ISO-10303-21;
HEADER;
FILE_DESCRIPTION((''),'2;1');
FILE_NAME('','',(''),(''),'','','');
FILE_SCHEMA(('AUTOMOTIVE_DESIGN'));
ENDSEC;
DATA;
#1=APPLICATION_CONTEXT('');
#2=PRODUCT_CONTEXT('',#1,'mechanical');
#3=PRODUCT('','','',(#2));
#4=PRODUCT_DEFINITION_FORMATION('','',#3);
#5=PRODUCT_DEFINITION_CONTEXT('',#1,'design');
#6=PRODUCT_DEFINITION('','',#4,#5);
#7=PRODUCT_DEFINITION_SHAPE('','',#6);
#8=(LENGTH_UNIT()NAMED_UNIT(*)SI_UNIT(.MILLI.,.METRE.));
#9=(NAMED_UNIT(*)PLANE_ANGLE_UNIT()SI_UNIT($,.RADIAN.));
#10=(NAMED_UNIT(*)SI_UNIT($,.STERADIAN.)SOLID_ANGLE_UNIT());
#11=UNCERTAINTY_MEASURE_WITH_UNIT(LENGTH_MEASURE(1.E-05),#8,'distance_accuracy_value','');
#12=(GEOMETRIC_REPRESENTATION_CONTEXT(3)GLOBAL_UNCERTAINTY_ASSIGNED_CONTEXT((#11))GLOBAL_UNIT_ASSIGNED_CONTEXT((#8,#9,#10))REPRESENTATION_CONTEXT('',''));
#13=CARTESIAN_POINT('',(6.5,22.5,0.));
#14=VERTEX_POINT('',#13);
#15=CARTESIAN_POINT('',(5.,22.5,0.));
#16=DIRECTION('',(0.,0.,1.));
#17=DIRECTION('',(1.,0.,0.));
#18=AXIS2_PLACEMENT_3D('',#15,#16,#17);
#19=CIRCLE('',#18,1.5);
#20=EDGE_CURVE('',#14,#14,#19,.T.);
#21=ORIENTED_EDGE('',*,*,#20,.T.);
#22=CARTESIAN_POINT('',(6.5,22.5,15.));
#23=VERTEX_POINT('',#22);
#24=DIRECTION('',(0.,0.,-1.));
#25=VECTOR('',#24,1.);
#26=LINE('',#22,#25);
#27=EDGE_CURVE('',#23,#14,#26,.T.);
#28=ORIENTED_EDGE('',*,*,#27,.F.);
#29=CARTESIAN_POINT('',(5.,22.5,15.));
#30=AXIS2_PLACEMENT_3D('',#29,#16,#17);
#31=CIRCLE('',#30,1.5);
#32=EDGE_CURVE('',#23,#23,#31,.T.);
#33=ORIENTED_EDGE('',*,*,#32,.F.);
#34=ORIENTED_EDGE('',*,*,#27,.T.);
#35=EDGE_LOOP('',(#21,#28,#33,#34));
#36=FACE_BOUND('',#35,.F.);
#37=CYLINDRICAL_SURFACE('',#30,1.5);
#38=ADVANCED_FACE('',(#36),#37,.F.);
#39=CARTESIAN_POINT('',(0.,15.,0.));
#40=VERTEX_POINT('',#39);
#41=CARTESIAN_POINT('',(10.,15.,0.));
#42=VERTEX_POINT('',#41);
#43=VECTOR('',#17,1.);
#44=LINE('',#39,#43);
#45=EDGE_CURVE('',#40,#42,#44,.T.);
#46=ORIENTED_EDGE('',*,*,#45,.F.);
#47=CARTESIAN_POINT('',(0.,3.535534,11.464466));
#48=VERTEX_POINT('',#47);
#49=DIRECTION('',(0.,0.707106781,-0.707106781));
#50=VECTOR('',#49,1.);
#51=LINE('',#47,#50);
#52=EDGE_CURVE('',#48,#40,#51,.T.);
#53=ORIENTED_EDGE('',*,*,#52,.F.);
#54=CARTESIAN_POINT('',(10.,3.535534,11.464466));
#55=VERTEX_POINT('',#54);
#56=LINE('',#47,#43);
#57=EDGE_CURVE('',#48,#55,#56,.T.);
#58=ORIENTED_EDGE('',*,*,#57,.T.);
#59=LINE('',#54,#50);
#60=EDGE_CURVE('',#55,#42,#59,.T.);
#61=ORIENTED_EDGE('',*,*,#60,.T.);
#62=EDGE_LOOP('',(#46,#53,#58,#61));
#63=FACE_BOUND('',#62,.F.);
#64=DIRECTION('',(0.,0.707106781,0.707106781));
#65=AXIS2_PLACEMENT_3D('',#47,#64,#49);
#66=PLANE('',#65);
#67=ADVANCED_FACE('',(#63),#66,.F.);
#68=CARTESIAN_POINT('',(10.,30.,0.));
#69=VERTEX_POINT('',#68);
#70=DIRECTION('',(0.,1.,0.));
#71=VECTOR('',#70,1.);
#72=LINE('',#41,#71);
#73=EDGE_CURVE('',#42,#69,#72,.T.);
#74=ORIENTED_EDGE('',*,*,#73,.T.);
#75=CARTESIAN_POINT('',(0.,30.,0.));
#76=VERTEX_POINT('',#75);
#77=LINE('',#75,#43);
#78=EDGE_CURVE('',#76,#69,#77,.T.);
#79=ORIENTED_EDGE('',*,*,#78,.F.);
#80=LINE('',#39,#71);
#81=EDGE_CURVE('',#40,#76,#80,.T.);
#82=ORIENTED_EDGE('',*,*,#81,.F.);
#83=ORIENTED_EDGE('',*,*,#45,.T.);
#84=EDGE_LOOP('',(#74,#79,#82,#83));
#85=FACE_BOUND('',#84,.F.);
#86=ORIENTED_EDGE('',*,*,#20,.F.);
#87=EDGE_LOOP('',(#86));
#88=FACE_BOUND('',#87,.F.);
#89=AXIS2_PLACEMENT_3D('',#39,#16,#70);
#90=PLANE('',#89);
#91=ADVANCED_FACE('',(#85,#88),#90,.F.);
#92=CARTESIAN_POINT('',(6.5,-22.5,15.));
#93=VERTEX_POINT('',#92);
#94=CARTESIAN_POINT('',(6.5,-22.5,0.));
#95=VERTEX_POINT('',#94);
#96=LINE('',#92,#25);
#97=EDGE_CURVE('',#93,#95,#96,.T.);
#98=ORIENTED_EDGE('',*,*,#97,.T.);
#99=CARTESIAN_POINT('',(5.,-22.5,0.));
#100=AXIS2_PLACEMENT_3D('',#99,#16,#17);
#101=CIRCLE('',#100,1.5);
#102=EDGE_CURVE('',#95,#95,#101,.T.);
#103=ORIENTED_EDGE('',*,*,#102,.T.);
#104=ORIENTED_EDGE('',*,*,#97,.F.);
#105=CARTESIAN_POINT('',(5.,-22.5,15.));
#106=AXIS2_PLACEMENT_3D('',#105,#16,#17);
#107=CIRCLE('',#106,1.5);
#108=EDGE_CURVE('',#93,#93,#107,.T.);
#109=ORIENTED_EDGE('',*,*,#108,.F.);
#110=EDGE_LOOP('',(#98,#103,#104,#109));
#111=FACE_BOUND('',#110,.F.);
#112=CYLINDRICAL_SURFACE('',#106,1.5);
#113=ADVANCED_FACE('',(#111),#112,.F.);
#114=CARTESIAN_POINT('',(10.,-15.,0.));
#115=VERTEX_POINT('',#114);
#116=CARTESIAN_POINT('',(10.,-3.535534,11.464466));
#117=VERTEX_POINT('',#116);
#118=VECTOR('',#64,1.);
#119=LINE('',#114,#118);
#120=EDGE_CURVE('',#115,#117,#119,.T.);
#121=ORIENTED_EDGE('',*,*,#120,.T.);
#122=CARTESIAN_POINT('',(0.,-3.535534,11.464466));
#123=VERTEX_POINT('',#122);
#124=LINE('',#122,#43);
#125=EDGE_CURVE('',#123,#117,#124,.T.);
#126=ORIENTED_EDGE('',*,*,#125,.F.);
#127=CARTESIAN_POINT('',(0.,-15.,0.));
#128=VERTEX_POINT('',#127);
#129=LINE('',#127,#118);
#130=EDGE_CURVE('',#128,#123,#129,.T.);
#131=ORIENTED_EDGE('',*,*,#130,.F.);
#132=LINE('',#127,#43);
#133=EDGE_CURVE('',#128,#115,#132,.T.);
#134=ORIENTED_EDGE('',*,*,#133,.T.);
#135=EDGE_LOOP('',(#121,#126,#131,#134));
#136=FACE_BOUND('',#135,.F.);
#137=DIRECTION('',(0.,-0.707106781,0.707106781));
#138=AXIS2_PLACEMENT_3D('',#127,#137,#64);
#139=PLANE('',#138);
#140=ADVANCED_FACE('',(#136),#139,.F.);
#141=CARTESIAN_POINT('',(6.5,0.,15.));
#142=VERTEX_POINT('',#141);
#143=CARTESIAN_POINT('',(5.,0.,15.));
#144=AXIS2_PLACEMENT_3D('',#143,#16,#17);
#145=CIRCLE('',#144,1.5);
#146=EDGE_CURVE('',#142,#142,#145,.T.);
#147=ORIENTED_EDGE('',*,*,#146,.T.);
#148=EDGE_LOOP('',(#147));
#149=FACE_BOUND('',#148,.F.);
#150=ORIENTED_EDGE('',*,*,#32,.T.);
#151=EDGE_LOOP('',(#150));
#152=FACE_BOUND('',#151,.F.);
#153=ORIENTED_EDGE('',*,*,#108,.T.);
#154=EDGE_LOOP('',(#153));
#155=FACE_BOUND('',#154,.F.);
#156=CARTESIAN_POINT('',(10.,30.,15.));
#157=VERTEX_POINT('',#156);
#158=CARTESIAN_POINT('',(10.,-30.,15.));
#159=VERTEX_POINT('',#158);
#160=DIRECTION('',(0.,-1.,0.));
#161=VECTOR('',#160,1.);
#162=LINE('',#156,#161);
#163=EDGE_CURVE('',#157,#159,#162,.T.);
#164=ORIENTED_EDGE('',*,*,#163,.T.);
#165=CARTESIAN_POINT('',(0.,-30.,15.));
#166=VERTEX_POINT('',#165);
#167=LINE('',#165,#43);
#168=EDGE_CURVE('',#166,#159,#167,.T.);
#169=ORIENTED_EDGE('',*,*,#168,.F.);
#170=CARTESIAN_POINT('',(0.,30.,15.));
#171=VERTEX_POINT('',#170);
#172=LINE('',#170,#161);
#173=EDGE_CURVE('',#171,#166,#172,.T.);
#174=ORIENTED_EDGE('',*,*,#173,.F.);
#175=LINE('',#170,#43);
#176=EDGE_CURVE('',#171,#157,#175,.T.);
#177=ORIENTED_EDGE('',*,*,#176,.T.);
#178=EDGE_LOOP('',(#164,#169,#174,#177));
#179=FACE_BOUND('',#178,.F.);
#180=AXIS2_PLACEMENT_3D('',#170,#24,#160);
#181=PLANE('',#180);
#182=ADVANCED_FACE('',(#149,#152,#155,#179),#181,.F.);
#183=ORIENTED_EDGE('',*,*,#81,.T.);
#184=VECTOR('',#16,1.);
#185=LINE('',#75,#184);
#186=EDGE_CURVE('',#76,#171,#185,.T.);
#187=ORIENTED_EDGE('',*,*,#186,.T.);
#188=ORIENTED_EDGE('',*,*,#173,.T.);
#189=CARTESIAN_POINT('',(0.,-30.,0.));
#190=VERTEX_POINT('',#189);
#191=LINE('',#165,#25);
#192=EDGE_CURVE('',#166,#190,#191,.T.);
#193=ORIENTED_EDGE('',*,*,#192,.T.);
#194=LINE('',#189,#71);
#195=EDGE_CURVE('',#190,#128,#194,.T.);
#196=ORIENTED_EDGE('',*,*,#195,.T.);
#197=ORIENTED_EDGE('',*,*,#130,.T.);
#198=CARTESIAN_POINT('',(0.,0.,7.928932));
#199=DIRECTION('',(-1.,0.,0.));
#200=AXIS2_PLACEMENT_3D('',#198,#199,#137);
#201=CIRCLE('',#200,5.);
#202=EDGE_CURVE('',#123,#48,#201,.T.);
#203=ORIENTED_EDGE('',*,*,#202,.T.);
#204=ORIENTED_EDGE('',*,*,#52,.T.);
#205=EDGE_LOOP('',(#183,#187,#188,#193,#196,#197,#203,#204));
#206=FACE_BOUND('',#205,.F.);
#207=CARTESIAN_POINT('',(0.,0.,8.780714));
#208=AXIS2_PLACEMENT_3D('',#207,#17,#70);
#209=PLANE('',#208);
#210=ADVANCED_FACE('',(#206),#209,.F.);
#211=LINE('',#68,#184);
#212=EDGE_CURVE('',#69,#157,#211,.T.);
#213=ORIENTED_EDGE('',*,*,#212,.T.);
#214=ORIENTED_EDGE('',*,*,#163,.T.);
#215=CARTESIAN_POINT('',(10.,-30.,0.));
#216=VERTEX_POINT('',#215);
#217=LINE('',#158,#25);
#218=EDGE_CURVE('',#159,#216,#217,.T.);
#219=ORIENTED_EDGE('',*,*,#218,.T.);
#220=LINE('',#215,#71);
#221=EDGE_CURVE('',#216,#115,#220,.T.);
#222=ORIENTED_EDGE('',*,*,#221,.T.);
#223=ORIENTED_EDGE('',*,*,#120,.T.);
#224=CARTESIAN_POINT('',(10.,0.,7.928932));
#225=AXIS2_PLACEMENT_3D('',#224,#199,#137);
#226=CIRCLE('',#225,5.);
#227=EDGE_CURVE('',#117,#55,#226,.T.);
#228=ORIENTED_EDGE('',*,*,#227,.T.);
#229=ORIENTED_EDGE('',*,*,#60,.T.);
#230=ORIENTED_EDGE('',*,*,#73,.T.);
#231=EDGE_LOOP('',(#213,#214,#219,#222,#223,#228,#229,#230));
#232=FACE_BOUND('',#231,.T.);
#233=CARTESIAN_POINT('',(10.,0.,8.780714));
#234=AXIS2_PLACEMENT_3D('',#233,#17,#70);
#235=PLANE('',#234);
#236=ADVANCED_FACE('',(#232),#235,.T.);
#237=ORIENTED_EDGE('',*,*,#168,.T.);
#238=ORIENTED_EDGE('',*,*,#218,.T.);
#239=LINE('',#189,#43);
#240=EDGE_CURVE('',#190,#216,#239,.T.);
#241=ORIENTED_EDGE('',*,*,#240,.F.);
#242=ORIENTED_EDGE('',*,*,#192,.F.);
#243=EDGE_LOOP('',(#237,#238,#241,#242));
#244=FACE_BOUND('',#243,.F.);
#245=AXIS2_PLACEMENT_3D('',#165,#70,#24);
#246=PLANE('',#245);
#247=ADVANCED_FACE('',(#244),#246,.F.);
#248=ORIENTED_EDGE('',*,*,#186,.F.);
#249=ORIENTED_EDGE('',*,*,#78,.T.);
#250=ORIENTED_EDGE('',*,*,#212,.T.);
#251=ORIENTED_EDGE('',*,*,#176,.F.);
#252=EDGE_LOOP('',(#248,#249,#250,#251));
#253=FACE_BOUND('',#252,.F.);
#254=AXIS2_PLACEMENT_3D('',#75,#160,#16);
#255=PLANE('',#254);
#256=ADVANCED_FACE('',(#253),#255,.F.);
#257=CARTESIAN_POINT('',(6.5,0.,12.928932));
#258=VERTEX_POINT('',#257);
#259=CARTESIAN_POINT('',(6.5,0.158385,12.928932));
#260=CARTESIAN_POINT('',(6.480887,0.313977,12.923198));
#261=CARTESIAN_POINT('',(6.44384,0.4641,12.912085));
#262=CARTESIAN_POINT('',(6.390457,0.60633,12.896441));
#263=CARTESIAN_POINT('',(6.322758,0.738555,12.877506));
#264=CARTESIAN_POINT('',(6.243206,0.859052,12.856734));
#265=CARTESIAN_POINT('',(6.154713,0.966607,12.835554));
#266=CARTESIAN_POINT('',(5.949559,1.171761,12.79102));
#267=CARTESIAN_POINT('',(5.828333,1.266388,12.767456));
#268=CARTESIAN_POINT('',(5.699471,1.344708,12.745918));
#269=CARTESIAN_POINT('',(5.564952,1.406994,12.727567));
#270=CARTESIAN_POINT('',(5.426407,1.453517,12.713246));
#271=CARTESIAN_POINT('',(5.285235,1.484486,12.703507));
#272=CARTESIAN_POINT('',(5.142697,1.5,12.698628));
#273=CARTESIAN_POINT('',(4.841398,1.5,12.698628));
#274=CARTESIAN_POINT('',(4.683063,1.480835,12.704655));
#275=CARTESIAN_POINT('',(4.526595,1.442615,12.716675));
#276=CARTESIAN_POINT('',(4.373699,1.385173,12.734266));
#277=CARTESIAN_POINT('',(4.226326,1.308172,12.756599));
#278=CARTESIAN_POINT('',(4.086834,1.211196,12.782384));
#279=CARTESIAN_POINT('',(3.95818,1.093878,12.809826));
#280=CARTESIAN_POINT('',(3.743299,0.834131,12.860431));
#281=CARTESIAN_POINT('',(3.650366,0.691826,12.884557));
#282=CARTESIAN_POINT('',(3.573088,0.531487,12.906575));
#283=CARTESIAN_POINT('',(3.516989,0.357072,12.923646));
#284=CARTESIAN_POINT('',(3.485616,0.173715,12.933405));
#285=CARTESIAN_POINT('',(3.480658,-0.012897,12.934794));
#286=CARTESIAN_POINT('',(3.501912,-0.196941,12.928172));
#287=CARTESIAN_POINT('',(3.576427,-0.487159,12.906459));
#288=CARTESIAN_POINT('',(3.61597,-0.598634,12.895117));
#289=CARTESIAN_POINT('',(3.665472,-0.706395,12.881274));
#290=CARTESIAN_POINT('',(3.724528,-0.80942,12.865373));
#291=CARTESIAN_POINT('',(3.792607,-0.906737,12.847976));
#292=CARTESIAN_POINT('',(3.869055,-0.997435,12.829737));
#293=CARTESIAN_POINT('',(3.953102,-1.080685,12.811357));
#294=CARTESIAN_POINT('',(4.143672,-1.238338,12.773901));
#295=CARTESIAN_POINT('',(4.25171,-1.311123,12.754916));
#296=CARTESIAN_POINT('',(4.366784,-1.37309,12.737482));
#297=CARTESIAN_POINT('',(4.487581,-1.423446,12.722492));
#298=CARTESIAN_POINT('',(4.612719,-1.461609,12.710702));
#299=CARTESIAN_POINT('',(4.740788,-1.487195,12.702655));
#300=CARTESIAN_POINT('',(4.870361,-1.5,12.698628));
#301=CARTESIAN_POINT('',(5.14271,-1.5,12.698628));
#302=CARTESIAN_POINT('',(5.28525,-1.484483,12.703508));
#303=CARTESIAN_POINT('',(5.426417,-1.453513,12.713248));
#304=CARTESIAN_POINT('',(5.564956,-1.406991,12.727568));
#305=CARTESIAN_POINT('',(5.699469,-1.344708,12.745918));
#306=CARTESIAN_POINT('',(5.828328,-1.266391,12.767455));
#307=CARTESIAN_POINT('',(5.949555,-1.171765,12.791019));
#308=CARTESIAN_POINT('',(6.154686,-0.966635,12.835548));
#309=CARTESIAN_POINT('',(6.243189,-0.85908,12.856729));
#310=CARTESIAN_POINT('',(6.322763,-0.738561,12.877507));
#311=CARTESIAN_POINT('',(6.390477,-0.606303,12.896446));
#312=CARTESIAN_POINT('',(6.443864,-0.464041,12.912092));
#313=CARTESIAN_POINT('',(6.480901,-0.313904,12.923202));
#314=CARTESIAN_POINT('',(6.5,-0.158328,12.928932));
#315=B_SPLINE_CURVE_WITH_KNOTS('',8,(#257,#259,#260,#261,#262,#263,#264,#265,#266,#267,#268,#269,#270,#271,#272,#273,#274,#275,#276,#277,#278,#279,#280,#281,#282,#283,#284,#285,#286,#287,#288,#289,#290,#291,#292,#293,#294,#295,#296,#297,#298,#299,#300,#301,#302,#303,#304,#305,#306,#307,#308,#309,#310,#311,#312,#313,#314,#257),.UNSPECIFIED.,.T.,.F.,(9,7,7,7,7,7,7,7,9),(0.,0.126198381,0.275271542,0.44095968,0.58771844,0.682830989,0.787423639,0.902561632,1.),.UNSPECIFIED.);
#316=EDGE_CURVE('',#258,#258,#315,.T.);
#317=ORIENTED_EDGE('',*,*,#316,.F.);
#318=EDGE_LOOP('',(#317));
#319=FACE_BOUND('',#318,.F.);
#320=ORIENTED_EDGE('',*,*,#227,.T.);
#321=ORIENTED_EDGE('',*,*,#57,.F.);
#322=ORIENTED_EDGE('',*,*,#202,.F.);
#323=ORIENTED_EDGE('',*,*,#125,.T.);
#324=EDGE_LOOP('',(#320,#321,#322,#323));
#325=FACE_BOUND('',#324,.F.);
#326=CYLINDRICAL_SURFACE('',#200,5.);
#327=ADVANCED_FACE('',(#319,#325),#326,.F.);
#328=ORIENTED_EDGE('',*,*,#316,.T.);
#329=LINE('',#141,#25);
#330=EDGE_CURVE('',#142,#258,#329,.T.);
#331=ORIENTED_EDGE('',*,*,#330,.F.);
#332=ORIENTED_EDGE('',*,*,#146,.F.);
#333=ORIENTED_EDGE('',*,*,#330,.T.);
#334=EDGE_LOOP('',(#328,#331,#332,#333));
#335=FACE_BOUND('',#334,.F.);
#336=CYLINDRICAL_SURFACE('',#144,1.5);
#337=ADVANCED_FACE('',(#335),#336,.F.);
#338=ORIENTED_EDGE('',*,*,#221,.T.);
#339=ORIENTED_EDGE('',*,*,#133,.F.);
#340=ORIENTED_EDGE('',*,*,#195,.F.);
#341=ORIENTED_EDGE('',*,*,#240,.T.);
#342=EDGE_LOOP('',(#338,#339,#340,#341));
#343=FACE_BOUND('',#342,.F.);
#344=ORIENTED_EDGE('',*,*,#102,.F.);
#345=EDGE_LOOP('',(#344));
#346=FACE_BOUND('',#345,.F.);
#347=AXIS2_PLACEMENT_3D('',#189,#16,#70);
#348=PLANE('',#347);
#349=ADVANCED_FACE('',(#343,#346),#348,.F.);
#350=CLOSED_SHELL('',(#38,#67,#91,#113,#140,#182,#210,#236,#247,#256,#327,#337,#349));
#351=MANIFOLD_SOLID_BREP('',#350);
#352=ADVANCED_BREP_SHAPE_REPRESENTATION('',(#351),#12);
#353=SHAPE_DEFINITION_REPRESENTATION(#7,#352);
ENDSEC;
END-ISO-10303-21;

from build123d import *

# Parameters (mm, degrees)
F1_DEPTH = 10
F2_R     = 1.5
F3_DEPTH = 15.001


with BuildPart() as f1:
    # F0 (on Right) → F1 (new body)
    with BuildSketch(Plane.YZ):
        with BuildLine():
            Line((30, 15), (-30, 15))
            Line((-30, 15), (-30, 0))
            Line((-30, 0), (-15, 0))
            Line((-15, 0), (-3.5355339059, 11.4644660941))
            ThreePointArc((-3.5355339059, 11.4644660941), (0, 12.9289321881), (3.5355339059, 11.4644660941))
            Line((3.5355339059, 11.4644660941), (15, 0))
            Line((15, 0), (30, 0))
            Line((30, 0), (30, 15))
        make_face()
    extrude(amount=F1_DEPTH)

    # F2 (on face) → F3 (cut, through all)
    with BuildSketch(Plane.XY.offset(15)):
        with Locations((5, 0)):
            Circle(F2_R)
        with Locations((5, 22.5)):
            Circle(F2_R)
        with Locations((5, -22.5)):
            Circle(F2_R)
    extrude(amount=-F3_DEPTH, mode=Mode.SUBTRACT)


solid = f1.part
